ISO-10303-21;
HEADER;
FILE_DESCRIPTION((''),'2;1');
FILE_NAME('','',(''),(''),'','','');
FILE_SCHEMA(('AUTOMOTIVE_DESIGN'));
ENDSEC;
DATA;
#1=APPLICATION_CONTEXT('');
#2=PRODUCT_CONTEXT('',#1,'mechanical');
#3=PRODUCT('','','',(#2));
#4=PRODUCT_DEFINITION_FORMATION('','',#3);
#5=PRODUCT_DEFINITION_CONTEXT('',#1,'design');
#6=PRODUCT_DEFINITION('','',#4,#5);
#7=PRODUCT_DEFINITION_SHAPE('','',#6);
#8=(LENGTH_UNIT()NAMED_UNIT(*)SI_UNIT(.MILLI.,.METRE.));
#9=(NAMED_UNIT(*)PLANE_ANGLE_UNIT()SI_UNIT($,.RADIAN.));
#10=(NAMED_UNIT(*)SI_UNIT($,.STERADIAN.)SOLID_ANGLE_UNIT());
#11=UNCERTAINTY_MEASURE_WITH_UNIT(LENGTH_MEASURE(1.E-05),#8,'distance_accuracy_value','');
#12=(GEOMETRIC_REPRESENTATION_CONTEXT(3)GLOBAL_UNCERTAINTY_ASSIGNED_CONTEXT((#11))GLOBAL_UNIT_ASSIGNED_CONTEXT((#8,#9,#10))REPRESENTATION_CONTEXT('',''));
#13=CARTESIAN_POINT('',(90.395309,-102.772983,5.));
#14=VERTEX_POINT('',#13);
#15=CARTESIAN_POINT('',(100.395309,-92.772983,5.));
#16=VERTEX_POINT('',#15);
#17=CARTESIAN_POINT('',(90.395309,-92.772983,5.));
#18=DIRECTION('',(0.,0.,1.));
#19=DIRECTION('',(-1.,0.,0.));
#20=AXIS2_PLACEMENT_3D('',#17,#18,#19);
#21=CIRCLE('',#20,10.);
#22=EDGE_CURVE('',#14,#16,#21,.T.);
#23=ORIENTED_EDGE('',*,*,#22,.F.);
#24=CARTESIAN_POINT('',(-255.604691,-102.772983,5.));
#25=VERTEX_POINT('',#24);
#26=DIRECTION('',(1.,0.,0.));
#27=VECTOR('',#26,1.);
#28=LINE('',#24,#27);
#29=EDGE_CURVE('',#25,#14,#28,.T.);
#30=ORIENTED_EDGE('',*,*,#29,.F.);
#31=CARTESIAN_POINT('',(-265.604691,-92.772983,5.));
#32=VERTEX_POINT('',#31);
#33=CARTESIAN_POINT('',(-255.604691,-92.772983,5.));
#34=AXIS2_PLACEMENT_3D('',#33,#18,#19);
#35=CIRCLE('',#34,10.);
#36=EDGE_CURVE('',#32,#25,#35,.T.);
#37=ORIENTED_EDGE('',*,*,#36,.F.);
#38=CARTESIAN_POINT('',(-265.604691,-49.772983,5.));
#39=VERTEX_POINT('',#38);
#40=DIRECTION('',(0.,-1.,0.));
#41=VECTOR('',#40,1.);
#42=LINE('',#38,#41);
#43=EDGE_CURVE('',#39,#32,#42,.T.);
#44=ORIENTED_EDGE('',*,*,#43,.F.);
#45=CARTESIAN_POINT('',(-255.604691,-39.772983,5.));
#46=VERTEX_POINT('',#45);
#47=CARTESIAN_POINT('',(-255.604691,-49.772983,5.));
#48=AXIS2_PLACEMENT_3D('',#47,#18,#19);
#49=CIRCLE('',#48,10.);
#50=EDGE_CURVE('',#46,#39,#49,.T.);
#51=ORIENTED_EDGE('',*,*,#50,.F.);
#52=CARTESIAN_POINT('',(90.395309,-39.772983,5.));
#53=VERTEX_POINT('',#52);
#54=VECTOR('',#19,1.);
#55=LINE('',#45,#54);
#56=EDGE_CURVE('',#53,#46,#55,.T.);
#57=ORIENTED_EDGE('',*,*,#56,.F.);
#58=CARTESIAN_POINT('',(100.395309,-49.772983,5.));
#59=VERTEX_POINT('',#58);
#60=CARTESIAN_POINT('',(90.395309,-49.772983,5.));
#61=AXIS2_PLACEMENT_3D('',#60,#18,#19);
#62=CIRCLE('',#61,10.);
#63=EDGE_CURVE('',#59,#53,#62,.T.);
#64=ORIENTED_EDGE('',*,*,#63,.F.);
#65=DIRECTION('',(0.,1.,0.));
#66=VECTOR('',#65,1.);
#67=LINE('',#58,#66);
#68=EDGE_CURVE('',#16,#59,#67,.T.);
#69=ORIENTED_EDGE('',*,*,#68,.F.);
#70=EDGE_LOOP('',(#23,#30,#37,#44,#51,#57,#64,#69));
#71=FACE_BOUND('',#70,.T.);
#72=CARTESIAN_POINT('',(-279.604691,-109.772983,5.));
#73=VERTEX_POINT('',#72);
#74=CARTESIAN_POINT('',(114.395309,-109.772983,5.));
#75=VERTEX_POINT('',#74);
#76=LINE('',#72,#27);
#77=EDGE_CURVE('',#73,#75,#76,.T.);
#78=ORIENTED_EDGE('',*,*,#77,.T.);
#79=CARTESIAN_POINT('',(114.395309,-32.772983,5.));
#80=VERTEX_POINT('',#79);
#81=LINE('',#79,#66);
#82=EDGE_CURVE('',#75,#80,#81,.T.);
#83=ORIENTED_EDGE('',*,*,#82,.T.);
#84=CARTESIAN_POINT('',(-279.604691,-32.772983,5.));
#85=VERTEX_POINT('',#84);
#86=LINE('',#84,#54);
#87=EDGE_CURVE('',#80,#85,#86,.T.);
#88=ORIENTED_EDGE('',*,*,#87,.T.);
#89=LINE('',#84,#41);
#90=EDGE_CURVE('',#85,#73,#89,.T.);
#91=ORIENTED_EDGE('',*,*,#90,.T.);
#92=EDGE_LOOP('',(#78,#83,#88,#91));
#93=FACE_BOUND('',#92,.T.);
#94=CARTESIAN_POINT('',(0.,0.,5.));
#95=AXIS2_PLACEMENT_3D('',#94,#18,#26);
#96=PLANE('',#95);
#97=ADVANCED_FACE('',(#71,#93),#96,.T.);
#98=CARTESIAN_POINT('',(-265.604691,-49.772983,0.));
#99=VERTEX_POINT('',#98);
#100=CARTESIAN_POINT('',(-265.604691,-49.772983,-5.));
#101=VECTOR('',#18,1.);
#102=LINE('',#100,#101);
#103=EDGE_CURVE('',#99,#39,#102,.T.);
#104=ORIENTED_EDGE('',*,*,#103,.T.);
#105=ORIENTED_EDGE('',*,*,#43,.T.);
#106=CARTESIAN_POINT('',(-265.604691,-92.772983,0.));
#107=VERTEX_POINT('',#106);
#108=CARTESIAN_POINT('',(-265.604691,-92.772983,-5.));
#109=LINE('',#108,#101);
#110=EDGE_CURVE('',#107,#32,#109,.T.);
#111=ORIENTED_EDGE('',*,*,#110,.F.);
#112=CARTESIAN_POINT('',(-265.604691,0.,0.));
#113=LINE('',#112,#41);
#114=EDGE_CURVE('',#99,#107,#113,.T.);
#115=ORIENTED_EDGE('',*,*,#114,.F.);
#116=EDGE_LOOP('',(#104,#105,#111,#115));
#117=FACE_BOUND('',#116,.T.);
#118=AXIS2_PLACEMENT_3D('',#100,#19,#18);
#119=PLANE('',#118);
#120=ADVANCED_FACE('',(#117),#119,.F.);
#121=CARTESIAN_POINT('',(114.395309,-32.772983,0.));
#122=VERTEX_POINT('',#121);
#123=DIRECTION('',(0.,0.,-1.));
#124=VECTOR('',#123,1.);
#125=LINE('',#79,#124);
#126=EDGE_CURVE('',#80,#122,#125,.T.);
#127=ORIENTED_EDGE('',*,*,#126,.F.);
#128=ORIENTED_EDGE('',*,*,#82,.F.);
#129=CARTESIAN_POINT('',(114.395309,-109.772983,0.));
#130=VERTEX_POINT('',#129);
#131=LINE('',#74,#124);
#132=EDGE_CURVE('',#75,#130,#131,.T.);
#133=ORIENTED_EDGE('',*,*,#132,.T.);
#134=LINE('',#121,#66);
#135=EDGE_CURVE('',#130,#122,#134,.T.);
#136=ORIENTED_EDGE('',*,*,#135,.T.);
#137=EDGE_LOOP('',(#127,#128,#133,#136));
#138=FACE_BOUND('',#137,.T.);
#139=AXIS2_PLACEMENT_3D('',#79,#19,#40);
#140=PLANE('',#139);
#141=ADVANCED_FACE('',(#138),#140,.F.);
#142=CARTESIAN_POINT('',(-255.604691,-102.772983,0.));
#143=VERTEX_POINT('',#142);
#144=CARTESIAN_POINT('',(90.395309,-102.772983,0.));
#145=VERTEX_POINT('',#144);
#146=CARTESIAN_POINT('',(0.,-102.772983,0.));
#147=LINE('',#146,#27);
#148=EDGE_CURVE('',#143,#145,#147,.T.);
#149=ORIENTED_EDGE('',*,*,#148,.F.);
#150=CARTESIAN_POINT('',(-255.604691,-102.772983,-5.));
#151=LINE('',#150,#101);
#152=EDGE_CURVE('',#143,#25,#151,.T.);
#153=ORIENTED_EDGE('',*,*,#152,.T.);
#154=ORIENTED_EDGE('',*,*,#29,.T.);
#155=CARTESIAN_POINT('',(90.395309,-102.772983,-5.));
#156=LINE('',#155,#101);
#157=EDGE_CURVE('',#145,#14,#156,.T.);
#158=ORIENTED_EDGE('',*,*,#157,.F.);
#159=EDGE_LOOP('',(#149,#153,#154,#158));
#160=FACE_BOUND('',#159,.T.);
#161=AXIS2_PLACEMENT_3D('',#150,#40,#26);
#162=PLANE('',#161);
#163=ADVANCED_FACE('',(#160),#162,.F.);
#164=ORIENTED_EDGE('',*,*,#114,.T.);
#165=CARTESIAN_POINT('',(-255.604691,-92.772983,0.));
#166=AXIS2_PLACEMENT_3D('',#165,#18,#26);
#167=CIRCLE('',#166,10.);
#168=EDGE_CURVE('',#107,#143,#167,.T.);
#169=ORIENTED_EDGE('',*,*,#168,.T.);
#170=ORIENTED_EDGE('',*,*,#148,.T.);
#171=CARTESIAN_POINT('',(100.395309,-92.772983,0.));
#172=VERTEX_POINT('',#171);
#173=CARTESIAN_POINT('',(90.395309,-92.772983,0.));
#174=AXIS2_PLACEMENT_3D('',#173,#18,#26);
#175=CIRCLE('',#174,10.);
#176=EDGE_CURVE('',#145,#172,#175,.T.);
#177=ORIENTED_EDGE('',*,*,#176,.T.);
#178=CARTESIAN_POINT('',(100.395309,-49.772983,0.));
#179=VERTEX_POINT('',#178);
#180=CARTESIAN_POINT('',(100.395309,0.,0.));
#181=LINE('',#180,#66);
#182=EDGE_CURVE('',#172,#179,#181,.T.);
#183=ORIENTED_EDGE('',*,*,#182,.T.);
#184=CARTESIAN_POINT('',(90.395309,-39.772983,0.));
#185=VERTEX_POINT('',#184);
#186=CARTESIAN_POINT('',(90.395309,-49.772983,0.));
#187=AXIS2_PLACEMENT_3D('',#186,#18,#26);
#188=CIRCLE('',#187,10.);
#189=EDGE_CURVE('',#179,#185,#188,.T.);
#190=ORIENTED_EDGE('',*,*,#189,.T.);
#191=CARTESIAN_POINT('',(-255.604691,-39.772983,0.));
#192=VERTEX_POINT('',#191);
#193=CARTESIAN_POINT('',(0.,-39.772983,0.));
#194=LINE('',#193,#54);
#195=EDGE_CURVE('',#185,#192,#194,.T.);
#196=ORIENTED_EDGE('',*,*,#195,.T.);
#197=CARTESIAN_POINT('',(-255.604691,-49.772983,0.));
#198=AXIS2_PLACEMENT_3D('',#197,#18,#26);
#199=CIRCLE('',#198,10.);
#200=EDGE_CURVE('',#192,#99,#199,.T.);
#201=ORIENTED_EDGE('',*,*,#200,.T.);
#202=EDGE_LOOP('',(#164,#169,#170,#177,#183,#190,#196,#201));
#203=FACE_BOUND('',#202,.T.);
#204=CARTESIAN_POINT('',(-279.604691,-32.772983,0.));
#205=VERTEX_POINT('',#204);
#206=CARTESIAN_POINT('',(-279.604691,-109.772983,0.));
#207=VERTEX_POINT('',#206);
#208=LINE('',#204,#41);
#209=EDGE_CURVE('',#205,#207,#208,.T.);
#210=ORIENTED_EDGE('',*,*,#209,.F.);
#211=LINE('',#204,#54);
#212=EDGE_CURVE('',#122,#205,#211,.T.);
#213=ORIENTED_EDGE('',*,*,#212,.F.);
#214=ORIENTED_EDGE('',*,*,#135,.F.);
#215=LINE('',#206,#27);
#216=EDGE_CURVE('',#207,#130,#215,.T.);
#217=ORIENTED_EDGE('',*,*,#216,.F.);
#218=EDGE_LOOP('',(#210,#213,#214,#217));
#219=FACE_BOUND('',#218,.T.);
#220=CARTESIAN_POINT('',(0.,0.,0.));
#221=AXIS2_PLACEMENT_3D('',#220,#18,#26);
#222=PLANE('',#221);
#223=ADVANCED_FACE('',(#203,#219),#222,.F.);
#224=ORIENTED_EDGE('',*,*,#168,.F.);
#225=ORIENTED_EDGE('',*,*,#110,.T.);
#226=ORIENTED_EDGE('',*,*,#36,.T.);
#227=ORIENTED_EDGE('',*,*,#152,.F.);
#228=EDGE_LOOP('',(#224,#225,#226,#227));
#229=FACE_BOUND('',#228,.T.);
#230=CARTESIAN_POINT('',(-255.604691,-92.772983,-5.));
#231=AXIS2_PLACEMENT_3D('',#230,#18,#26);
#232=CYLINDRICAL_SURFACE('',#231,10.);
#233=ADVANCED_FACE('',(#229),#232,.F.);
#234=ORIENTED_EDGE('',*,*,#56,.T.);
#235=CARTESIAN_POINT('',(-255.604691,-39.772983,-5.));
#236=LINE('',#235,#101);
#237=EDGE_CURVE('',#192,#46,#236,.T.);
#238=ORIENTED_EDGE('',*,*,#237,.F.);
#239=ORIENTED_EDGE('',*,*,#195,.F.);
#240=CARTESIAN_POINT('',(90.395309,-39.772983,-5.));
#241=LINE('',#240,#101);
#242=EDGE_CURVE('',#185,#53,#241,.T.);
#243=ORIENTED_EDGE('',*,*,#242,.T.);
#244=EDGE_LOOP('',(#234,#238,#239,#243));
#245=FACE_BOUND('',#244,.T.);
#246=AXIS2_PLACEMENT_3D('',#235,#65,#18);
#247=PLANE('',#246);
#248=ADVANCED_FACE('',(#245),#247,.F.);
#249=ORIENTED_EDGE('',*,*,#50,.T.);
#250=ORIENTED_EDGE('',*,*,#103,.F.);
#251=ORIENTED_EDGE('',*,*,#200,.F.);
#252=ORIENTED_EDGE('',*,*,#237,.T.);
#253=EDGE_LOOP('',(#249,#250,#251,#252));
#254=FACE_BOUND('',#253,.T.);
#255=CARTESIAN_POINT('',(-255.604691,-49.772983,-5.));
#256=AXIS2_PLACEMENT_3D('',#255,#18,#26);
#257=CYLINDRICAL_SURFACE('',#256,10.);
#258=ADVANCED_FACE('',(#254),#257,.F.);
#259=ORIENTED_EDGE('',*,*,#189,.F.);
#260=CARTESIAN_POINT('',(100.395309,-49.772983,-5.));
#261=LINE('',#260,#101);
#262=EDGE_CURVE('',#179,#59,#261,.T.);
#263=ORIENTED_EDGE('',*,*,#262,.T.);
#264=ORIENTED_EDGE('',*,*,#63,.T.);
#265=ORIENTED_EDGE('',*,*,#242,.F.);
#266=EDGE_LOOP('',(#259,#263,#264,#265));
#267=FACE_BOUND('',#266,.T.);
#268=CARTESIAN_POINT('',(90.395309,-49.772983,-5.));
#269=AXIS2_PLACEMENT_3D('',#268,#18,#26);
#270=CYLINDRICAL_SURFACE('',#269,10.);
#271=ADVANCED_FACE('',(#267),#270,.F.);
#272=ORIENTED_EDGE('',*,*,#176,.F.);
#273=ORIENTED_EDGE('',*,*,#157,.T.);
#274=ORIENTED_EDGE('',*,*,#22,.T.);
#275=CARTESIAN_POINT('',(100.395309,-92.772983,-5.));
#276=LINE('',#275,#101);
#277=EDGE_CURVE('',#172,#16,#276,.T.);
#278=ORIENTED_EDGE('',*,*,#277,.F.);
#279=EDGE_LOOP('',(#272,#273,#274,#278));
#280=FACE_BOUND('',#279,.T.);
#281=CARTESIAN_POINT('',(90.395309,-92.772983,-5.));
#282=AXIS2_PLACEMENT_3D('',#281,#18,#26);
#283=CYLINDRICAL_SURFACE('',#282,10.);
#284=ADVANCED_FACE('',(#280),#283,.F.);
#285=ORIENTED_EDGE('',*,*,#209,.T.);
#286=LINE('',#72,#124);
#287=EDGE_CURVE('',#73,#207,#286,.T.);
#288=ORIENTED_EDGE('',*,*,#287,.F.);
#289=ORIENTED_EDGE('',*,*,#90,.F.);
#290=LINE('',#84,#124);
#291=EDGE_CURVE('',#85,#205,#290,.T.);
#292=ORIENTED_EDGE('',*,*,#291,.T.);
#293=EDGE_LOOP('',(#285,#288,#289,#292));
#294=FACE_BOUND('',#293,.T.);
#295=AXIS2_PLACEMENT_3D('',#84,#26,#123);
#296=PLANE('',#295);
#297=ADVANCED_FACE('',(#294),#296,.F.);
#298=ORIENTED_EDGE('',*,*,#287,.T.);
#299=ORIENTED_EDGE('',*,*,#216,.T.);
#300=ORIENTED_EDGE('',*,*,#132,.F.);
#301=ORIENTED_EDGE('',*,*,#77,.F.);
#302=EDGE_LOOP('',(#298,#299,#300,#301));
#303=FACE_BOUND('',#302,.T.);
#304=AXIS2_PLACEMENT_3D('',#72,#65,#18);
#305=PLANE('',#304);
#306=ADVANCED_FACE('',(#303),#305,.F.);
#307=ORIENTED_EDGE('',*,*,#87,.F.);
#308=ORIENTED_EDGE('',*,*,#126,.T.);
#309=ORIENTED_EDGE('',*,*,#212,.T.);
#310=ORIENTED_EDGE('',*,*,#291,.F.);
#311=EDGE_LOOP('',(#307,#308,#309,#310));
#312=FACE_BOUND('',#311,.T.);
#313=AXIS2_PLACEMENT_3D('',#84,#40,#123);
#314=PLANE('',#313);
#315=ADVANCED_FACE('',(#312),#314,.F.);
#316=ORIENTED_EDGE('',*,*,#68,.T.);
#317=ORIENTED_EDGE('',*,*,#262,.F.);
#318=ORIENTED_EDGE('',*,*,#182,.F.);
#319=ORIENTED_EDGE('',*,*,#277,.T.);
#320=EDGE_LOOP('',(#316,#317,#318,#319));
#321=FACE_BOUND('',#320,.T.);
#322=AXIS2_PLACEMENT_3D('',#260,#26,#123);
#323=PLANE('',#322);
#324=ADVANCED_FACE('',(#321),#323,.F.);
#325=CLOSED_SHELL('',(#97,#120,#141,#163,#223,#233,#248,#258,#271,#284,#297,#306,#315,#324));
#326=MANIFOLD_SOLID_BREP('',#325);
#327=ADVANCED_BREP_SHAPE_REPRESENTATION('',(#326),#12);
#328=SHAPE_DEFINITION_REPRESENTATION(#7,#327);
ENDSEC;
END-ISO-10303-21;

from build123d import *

# Parameters (mm, degrees)
SZKIC1_W                    = 394
SZKIC1_H                    = 77
DODANIE_WYCI_GNI_CIE1_DEPTH = 5
WYTNIJ_WYCI_GNI_CIE1_DEPTH  = 10


with BuildPart() as part:
    # Szkic1 → Dodanie-wyciągnięcie1 (new body)
    with BuildSketch(Plane.XY):
        with Locations((-82.604690639, -71.272983114)):
            Rectangle(SZKIC1_W, SZKIC1_H)
    extrude(amount=DODANIE_WYCI_GNI_CIE1_DEPTH)

    # Szkic2 → Wytnij-wyciągnięcie1 (cut)
    with BuildSketch(Plane.XY.offset(5)):
        with BuildLine():
            Line((-255.604690639, -39.772983114), (90.395309361, -39.772983114))
            ThreePointArc((90.395309361, -39.772983114), (97.466377173, -42.701915303), (100.395309361, -49.772983114))
            Line((100.395309361, -49.772983114), (100.395309361, -92.772983114))
            ThreePointArc((100.395309361, -92.772983114), (97.466377173, -99.844050926), (90.395309361, -102.772983114))
            Line((90.395309361, -102.772983114), (-255.604690639, -102.772983114))
            ThreePointArc((-255.604690639, -102.772983114), (-262.675758451, -99.844050926), (-265.604690639, -92.772983114))
            Line((-265.604690639, -92.772983114), (-265.604690639, -49.772983114))
            ThreePointArc((-265.604690639, -49.772983114), (-262.675758451, -42.701915303), (-255.604690639, -39.772983114))
        make_face()
    extrude(amount=-WYTNIJ_WYCI_GNI_CIE1_DEPTH, mode=Mode.SUBTRACT)


solid = part.part
